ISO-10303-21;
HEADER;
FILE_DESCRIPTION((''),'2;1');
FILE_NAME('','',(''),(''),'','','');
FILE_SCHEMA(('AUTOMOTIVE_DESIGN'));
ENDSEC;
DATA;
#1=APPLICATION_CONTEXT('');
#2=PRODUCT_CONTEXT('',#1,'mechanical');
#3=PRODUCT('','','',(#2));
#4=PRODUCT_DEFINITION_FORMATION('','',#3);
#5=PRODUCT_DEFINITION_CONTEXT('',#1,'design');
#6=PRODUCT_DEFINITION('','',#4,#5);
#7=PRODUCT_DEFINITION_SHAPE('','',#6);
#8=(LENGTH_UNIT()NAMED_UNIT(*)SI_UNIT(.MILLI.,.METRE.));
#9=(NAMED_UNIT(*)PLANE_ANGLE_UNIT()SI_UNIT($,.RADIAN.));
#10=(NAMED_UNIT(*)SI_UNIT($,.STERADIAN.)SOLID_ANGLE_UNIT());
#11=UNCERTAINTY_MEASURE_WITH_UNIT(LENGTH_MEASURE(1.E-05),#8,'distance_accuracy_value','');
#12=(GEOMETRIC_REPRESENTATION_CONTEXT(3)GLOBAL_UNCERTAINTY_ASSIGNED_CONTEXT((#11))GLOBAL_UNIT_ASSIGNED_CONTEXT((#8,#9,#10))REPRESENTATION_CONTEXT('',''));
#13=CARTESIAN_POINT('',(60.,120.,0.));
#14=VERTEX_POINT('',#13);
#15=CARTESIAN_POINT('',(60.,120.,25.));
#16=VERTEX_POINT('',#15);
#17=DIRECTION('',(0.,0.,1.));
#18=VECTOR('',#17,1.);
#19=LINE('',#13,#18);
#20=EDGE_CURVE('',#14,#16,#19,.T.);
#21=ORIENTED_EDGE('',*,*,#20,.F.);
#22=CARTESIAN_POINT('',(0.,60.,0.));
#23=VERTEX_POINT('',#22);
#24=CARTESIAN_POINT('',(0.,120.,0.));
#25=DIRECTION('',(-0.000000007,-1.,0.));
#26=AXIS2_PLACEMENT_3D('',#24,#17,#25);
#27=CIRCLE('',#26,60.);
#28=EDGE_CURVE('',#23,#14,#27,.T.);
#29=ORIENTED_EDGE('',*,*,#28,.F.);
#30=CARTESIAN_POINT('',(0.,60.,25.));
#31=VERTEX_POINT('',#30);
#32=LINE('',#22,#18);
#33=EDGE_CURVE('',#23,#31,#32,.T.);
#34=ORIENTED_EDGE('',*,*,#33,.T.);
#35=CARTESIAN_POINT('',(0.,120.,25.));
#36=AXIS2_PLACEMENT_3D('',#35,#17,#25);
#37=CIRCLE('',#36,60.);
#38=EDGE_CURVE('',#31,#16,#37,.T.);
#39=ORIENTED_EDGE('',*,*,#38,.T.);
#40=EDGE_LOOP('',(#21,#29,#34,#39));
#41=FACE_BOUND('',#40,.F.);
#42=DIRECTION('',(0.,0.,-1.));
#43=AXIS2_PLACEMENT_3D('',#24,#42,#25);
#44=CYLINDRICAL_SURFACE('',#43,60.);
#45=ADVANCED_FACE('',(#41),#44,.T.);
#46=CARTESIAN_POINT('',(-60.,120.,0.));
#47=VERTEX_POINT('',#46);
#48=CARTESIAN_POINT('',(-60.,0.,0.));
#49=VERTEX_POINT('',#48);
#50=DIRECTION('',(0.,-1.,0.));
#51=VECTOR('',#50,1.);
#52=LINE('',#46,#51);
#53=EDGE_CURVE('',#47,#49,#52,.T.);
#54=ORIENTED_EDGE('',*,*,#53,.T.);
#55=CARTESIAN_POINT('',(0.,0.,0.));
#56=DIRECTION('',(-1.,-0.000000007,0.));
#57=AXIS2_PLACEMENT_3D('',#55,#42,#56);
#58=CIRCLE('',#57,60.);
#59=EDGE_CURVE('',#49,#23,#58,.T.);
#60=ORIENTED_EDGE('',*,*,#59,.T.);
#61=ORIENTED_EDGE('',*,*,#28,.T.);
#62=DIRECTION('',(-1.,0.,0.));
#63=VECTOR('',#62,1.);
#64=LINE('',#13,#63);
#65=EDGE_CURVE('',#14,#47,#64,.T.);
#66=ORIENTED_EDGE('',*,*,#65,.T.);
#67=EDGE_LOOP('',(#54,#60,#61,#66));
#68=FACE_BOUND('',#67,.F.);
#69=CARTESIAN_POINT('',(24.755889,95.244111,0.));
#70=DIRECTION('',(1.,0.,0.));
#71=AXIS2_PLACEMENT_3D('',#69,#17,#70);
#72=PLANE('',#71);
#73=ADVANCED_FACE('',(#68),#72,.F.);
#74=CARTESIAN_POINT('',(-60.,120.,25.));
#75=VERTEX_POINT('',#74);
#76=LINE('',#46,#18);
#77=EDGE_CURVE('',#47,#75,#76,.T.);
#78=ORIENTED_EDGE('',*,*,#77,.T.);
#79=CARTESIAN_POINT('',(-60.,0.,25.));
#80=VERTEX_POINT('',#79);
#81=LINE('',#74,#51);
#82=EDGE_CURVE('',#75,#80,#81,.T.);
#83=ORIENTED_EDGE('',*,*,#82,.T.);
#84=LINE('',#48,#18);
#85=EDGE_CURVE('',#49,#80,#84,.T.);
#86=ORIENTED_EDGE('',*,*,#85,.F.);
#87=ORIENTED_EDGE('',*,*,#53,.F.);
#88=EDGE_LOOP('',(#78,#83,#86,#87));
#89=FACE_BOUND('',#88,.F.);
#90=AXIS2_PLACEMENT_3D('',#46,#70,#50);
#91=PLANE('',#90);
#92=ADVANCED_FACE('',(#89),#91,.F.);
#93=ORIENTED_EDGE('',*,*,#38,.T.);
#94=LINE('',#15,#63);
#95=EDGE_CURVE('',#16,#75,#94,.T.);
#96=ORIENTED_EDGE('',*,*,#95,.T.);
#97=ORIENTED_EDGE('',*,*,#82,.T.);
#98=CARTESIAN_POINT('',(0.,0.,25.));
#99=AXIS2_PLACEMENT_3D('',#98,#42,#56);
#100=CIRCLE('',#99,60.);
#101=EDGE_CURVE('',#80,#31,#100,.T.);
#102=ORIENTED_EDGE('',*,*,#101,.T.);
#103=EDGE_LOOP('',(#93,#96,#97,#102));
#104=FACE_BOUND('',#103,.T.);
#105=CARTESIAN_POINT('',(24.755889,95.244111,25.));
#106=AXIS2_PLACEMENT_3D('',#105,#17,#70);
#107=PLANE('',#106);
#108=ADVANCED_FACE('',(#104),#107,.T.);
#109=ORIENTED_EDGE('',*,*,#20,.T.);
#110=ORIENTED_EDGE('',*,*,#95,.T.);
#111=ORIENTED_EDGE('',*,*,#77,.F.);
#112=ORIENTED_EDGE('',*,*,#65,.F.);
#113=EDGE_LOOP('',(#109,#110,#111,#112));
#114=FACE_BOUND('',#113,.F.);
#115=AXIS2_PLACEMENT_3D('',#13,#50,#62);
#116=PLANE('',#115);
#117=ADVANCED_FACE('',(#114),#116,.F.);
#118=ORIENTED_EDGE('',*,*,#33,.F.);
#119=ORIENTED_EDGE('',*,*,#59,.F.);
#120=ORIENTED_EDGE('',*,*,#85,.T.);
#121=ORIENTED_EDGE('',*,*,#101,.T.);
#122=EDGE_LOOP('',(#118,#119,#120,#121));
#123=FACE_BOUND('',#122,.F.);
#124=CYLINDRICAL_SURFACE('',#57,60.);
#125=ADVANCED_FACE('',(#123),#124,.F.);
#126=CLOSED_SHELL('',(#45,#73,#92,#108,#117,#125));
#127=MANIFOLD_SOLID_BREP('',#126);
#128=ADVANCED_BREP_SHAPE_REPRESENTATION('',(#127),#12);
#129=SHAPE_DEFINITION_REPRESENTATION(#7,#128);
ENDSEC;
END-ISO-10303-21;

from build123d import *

# Parameters (mm, degrees)
F1_DEPTH = 25


with BuildPart() as f1:
    # F0 (on Top) → F1 (new body)
    with BuildSketch(Plane.XY):
        with BuildLine():
            Line((60, 120), (0, 120))
            Line((0, 120), (0, 60))
            ThreePointArc((0, 60), (42.426407, 77.573593), (60, 120))
        make_face()
        with BuildLine():
            Line((0, 60), (0, 120))
            Line((0, 120), (-60, 120))
            Line((-60, 120), (-60, 0))
            ThreePointArc((-60, 0), (-42.426407, 42.426407), (0, 60))
        make_face()
    extrude(amount=F1_DEPTH)


solid = f1.part
